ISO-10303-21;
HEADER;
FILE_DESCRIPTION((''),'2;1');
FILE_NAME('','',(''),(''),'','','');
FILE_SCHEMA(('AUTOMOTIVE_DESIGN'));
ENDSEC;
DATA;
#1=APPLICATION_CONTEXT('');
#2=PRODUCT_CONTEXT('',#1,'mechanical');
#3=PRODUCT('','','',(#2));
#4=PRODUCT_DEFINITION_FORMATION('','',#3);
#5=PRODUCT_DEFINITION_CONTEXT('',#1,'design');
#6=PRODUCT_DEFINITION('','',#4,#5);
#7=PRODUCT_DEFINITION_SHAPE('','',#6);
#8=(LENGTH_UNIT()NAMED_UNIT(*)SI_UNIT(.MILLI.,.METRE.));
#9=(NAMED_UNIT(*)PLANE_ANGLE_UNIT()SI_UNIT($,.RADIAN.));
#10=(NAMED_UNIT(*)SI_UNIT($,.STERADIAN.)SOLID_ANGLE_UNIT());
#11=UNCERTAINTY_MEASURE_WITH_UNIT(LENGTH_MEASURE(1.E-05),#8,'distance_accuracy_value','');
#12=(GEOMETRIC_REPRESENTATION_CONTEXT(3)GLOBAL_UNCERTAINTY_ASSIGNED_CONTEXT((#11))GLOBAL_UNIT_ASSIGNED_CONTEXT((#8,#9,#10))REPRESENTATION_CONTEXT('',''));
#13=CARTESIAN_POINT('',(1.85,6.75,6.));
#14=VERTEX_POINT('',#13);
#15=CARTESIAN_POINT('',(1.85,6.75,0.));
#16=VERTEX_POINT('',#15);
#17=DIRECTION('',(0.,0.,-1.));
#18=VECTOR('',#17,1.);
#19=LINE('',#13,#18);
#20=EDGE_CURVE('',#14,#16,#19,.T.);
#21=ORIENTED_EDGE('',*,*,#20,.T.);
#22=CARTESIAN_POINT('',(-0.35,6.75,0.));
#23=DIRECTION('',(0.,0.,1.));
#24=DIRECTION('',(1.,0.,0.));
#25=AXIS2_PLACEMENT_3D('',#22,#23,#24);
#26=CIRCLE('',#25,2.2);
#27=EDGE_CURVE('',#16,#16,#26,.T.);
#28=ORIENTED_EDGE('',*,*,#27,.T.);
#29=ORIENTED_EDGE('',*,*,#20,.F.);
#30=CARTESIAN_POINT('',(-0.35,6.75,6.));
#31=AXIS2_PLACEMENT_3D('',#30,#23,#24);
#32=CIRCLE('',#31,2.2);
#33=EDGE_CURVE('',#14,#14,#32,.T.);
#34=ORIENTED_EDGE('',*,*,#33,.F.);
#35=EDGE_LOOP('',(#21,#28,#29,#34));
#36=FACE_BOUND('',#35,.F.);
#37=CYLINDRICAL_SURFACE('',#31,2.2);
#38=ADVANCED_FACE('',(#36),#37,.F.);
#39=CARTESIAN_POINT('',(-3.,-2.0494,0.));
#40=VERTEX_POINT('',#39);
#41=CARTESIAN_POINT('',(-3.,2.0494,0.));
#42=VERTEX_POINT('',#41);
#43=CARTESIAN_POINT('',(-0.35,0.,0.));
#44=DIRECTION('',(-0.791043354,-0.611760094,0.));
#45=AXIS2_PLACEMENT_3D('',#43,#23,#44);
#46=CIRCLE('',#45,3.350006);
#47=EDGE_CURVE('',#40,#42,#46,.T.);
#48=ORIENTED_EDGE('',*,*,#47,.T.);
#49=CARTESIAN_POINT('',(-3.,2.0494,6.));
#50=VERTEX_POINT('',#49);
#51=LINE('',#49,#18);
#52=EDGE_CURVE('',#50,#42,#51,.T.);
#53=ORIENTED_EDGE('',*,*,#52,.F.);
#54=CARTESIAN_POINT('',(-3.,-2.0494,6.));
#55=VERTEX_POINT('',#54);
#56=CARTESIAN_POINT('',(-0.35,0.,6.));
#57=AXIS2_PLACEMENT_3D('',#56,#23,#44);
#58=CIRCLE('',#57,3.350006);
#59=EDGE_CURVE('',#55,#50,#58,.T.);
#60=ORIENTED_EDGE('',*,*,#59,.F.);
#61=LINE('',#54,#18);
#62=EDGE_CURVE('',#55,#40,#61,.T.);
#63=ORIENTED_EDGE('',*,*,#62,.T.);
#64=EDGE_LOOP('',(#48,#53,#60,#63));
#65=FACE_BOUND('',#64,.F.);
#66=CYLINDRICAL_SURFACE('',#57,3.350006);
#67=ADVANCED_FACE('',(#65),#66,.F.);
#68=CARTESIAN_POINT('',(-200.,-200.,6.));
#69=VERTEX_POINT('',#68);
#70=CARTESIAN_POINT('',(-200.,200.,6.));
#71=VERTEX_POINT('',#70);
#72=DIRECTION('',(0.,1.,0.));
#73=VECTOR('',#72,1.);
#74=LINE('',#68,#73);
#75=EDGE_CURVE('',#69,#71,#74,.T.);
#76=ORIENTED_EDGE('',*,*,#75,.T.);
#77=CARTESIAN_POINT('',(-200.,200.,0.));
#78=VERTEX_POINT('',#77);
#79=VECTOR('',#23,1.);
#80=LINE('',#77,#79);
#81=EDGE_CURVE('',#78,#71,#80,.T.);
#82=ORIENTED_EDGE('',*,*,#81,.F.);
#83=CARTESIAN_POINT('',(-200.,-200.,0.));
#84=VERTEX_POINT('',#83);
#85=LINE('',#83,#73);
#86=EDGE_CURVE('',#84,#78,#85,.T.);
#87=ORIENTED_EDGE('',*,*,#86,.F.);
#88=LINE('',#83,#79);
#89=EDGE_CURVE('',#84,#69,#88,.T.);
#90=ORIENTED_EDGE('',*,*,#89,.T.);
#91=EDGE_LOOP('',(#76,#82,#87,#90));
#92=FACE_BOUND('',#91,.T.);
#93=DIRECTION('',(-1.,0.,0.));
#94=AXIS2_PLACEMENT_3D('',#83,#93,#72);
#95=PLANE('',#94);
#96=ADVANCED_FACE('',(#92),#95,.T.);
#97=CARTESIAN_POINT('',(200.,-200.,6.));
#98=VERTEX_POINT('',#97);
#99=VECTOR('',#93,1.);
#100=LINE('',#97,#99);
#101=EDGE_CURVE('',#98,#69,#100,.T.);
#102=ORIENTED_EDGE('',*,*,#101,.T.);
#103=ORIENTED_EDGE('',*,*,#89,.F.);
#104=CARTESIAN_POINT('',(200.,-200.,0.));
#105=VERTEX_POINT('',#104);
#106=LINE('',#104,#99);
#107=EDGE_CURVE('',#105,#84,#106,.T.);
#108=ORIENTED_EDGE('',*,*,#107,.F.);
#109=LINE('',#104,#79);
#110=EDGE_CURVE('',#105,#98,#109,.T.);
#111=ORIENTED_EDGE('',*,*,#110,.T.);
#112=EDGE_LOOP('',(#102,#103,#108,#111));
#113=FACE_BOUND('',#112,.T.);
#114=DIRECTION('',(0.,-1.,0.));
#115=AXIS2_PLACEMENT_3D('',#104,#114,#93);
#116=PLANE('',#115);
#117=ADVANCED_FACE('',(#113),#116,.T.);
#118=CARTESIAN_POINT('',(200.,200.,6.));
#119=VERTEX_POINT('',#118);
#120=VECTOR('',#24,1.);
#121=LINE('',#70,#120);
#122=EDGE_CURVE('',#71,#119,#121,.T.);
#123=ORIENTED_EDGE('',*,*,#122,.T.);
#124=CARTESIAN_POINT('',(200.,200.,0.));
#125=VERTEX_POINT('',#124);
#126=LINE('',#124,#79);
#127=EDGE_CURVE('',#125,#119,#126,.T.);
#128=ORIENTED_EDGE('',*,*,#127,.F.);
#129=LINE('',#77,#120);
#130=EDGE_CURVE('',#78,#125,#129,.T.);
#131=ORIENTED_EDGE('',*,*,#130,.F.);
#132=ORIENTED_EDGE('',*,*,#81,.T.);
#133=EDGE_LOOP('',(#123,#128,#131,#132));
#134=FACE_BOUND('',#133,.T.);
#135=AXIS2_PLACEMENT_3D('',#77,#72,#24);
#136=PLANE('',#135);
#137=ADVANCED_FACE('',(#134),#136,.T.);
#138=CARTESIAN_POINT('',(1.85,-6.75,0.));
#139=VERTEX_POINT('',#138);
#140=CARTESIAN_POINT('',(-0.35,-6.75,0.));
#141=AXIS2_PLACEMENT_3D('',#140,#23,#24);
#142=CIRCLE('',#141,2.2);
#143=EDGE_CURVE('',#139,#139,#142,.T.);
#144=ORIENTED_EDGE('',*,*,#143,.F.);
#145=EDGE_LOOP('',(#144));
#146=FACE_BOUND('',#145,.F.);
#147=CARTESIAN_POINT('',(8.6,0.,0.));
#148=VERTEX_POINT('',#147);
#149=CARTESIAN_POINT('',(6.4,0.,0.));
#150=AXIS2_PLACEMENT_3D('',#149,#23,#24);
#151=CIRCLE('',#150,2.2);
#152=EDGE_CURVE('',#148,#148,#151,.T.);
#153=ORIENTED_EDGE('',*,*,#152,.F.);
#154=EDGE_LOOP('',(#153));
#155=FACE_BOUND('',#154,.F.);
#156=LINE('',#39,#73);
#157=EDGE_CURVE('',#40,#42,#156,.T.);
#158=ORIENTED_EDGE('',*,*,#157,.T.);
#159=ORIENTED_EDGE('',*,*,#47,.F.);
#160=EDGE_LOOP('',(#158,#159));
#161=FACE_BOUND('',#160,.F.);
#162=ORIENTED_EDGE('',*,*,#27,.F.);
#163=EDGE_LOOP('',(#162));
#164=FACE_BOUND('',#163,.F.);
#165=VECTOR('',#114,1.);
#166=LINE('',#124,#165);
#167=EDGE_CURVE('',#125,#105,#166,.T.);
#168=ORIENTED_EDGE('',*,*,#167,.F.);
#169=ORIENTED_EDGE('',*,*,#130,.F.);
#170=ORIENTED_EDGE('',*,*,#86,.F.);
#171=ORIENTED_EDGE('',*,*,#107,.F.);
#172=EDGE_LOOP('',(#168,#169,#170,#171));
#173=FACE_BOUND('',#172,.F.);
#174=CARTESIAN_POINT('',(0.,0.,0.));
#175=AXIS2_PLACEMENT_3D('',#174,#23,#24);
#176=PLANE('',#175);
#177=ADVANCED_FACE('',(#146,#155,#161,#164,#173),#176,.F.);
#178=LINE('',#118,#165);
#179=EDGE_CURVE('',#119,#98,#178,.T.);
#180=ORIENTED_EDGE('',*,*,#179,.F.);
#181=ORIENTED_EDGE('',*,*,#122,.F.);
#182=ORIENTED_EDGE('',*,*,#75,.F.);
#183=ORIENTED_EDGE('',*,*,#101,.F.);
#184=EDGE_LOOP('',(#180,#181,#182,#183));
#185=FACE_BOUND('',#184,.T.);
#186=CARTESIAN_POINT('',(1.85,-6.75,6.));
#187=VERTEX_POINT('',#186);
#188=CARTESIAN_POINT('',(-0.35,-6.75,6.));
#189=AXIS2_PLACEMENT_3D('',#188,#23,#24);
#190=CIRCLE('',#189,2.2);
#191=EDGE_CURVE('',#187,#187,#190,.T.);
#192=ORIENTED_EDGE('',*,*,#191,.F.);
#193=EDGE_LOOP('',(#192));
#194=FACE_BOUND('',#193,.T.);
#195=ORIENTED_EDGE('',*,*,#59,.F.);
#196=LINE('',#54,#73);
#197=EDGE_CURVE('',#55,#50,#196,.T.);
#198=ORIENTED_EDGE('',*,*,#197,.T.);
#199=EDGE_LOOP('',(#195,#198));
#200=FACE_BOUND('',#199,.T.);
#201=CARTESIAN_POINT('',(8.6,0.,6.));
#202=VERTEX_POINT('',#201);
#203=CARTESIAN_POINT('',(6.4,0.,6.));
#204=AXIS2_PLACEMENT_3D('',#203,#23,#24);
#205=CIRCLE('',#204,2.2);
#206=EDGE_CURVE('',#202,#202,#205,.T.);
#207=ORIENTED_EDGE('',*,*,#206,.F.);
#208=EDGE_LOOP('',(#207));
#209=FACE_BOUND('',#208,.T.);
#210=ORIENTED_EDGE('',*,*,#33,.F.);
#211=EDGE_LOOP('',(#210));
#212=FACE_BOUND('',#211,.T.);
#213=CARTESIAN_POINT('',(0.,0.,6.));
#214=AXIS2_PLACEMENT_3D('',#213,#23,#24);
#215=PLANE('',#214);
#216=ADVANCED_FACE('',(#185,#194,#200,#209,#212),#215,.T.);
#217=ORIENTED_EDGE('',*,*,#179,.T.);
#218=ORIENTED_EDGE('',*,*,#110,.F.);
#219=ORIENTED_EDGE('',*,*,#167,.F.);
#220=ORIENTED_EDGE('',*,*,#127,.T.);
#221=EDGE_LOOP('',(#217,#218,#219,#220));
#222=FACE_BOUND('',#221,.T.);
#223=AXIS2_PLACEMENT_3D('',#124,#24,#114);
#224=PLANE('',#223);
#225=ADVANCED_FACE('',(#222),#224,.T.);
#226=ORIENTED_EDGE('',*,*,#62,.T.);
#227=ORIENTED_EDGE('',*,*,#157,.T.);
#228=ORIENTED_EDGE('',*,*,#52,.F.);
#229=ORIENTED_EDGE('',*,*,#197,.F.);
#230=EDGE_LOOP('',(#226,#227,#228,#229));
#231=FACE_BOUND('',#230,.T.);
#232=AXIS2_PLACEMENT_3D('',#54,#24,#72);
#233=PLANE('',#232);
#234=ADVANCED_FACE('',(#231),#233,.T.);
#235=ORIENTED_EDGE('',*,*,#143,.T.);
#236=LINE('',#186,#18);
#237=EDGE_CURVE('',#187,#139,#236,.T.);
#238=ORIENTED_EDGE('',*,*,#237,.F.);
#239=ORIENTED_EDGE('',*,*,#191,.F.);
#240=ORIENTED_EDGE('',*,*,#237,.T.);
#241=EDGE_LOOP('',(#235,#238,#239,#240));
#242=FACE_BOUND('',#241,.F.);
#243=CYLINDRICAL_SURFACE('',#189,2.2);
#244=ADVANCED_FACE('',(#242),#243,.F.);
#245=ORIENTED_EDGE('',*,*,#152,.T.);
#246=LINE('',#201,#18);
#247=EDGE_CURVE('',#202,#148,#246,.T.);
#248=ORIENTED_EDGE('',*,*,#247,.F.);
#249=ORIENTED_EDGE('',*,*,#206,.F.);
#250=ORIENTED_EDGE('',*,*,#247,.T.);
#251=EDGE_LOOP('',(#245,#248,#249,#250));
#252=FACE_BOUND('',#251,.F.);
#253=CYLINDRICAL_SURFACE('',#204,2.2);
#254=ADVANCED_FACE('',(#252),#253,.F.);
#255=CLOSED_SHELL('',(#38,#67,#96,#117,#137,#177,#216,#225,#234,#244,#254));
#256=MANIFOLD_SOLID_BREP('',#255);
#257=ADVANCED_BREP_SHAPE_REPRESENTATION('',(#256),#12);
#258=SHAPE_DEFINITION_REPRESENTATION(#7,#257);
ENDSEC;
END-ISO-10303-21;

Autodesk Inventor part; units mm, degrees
ref_plane "YZ Plane" through (0, 0, 0) normal (1, 0, 0) x (0, 1, 0)
ref_plane "XZ Plane" through (0, 0, 0) normal (0, 1, 0) x (-1, 0, 0)
ref_plane "XY Plane" through (0, 0, 0) normal (0, 0, 1) x (1, 0, 0)
sketch "Sketch1" plane through (0, 0, 0) normal (0, 0, 1) x (1, 0, 0)
  line L0 (-200, 200) -> (200, 200)
  line L1 (200, 200) -> (200, -200)
  line L2 (200, -200) -> (-200, -200)
  line L3 (-200, -200) -> (-200, 200)
  line L4 (-200, 200) -> (200, -200) construction
  line L5 (200, 200) -> (-200, -200) construction
  point P0 (0, 0)
  dimension "d0" = 400
  dimension "d1" = 400
extrude "Extrusion1" add sketch "Sketch1" along normal blind 6
sketch "Sketch2" plane through (0, 0, 6) normal (0, 0, 1) x (1, 0, 0)
  arc A0 (-2.9, -2.0149) -> (-2.9, 2.0149) centre (-0.35, 0) ccw projected
  line L0 (-2.9, 2.0149) -> (-2.9, -2.0149) projected
  circle A1 centre (-0.35, -6.75) radius 2 projected
  circle A2 centre (6.4, 0) radius 2 projected
  circle A3 centre (-0.35, 6.75) radius 2 projected
  circle A4 centre (6.4, 0) radius 2.2
  circle A5 centre (-0.35, 6.75) radius 2.2
  circle A6 centre (-0.35, -6.75) radius 2.2
  arc A7 (-3, -2.0494) -> (-3, 2.0494) centre (-0.35, 0) ccw
  line L1 (-3, -2.0494) -> (-3, 2.0494)
  point P0 (0, 0)
  dimension "d4" = 0.2
  dimension "d5" = 0.2
  dimension "d6" = 0.2
  dimension "d7" = 0.1
extrude "Extrusion2" cut sketch "Sketch2" against normal blind 6 contours L0 A0 | A1 | A2 | A3 | A4 | A5 | A6 | L1 A7
properties part number "Lasercutplade"
